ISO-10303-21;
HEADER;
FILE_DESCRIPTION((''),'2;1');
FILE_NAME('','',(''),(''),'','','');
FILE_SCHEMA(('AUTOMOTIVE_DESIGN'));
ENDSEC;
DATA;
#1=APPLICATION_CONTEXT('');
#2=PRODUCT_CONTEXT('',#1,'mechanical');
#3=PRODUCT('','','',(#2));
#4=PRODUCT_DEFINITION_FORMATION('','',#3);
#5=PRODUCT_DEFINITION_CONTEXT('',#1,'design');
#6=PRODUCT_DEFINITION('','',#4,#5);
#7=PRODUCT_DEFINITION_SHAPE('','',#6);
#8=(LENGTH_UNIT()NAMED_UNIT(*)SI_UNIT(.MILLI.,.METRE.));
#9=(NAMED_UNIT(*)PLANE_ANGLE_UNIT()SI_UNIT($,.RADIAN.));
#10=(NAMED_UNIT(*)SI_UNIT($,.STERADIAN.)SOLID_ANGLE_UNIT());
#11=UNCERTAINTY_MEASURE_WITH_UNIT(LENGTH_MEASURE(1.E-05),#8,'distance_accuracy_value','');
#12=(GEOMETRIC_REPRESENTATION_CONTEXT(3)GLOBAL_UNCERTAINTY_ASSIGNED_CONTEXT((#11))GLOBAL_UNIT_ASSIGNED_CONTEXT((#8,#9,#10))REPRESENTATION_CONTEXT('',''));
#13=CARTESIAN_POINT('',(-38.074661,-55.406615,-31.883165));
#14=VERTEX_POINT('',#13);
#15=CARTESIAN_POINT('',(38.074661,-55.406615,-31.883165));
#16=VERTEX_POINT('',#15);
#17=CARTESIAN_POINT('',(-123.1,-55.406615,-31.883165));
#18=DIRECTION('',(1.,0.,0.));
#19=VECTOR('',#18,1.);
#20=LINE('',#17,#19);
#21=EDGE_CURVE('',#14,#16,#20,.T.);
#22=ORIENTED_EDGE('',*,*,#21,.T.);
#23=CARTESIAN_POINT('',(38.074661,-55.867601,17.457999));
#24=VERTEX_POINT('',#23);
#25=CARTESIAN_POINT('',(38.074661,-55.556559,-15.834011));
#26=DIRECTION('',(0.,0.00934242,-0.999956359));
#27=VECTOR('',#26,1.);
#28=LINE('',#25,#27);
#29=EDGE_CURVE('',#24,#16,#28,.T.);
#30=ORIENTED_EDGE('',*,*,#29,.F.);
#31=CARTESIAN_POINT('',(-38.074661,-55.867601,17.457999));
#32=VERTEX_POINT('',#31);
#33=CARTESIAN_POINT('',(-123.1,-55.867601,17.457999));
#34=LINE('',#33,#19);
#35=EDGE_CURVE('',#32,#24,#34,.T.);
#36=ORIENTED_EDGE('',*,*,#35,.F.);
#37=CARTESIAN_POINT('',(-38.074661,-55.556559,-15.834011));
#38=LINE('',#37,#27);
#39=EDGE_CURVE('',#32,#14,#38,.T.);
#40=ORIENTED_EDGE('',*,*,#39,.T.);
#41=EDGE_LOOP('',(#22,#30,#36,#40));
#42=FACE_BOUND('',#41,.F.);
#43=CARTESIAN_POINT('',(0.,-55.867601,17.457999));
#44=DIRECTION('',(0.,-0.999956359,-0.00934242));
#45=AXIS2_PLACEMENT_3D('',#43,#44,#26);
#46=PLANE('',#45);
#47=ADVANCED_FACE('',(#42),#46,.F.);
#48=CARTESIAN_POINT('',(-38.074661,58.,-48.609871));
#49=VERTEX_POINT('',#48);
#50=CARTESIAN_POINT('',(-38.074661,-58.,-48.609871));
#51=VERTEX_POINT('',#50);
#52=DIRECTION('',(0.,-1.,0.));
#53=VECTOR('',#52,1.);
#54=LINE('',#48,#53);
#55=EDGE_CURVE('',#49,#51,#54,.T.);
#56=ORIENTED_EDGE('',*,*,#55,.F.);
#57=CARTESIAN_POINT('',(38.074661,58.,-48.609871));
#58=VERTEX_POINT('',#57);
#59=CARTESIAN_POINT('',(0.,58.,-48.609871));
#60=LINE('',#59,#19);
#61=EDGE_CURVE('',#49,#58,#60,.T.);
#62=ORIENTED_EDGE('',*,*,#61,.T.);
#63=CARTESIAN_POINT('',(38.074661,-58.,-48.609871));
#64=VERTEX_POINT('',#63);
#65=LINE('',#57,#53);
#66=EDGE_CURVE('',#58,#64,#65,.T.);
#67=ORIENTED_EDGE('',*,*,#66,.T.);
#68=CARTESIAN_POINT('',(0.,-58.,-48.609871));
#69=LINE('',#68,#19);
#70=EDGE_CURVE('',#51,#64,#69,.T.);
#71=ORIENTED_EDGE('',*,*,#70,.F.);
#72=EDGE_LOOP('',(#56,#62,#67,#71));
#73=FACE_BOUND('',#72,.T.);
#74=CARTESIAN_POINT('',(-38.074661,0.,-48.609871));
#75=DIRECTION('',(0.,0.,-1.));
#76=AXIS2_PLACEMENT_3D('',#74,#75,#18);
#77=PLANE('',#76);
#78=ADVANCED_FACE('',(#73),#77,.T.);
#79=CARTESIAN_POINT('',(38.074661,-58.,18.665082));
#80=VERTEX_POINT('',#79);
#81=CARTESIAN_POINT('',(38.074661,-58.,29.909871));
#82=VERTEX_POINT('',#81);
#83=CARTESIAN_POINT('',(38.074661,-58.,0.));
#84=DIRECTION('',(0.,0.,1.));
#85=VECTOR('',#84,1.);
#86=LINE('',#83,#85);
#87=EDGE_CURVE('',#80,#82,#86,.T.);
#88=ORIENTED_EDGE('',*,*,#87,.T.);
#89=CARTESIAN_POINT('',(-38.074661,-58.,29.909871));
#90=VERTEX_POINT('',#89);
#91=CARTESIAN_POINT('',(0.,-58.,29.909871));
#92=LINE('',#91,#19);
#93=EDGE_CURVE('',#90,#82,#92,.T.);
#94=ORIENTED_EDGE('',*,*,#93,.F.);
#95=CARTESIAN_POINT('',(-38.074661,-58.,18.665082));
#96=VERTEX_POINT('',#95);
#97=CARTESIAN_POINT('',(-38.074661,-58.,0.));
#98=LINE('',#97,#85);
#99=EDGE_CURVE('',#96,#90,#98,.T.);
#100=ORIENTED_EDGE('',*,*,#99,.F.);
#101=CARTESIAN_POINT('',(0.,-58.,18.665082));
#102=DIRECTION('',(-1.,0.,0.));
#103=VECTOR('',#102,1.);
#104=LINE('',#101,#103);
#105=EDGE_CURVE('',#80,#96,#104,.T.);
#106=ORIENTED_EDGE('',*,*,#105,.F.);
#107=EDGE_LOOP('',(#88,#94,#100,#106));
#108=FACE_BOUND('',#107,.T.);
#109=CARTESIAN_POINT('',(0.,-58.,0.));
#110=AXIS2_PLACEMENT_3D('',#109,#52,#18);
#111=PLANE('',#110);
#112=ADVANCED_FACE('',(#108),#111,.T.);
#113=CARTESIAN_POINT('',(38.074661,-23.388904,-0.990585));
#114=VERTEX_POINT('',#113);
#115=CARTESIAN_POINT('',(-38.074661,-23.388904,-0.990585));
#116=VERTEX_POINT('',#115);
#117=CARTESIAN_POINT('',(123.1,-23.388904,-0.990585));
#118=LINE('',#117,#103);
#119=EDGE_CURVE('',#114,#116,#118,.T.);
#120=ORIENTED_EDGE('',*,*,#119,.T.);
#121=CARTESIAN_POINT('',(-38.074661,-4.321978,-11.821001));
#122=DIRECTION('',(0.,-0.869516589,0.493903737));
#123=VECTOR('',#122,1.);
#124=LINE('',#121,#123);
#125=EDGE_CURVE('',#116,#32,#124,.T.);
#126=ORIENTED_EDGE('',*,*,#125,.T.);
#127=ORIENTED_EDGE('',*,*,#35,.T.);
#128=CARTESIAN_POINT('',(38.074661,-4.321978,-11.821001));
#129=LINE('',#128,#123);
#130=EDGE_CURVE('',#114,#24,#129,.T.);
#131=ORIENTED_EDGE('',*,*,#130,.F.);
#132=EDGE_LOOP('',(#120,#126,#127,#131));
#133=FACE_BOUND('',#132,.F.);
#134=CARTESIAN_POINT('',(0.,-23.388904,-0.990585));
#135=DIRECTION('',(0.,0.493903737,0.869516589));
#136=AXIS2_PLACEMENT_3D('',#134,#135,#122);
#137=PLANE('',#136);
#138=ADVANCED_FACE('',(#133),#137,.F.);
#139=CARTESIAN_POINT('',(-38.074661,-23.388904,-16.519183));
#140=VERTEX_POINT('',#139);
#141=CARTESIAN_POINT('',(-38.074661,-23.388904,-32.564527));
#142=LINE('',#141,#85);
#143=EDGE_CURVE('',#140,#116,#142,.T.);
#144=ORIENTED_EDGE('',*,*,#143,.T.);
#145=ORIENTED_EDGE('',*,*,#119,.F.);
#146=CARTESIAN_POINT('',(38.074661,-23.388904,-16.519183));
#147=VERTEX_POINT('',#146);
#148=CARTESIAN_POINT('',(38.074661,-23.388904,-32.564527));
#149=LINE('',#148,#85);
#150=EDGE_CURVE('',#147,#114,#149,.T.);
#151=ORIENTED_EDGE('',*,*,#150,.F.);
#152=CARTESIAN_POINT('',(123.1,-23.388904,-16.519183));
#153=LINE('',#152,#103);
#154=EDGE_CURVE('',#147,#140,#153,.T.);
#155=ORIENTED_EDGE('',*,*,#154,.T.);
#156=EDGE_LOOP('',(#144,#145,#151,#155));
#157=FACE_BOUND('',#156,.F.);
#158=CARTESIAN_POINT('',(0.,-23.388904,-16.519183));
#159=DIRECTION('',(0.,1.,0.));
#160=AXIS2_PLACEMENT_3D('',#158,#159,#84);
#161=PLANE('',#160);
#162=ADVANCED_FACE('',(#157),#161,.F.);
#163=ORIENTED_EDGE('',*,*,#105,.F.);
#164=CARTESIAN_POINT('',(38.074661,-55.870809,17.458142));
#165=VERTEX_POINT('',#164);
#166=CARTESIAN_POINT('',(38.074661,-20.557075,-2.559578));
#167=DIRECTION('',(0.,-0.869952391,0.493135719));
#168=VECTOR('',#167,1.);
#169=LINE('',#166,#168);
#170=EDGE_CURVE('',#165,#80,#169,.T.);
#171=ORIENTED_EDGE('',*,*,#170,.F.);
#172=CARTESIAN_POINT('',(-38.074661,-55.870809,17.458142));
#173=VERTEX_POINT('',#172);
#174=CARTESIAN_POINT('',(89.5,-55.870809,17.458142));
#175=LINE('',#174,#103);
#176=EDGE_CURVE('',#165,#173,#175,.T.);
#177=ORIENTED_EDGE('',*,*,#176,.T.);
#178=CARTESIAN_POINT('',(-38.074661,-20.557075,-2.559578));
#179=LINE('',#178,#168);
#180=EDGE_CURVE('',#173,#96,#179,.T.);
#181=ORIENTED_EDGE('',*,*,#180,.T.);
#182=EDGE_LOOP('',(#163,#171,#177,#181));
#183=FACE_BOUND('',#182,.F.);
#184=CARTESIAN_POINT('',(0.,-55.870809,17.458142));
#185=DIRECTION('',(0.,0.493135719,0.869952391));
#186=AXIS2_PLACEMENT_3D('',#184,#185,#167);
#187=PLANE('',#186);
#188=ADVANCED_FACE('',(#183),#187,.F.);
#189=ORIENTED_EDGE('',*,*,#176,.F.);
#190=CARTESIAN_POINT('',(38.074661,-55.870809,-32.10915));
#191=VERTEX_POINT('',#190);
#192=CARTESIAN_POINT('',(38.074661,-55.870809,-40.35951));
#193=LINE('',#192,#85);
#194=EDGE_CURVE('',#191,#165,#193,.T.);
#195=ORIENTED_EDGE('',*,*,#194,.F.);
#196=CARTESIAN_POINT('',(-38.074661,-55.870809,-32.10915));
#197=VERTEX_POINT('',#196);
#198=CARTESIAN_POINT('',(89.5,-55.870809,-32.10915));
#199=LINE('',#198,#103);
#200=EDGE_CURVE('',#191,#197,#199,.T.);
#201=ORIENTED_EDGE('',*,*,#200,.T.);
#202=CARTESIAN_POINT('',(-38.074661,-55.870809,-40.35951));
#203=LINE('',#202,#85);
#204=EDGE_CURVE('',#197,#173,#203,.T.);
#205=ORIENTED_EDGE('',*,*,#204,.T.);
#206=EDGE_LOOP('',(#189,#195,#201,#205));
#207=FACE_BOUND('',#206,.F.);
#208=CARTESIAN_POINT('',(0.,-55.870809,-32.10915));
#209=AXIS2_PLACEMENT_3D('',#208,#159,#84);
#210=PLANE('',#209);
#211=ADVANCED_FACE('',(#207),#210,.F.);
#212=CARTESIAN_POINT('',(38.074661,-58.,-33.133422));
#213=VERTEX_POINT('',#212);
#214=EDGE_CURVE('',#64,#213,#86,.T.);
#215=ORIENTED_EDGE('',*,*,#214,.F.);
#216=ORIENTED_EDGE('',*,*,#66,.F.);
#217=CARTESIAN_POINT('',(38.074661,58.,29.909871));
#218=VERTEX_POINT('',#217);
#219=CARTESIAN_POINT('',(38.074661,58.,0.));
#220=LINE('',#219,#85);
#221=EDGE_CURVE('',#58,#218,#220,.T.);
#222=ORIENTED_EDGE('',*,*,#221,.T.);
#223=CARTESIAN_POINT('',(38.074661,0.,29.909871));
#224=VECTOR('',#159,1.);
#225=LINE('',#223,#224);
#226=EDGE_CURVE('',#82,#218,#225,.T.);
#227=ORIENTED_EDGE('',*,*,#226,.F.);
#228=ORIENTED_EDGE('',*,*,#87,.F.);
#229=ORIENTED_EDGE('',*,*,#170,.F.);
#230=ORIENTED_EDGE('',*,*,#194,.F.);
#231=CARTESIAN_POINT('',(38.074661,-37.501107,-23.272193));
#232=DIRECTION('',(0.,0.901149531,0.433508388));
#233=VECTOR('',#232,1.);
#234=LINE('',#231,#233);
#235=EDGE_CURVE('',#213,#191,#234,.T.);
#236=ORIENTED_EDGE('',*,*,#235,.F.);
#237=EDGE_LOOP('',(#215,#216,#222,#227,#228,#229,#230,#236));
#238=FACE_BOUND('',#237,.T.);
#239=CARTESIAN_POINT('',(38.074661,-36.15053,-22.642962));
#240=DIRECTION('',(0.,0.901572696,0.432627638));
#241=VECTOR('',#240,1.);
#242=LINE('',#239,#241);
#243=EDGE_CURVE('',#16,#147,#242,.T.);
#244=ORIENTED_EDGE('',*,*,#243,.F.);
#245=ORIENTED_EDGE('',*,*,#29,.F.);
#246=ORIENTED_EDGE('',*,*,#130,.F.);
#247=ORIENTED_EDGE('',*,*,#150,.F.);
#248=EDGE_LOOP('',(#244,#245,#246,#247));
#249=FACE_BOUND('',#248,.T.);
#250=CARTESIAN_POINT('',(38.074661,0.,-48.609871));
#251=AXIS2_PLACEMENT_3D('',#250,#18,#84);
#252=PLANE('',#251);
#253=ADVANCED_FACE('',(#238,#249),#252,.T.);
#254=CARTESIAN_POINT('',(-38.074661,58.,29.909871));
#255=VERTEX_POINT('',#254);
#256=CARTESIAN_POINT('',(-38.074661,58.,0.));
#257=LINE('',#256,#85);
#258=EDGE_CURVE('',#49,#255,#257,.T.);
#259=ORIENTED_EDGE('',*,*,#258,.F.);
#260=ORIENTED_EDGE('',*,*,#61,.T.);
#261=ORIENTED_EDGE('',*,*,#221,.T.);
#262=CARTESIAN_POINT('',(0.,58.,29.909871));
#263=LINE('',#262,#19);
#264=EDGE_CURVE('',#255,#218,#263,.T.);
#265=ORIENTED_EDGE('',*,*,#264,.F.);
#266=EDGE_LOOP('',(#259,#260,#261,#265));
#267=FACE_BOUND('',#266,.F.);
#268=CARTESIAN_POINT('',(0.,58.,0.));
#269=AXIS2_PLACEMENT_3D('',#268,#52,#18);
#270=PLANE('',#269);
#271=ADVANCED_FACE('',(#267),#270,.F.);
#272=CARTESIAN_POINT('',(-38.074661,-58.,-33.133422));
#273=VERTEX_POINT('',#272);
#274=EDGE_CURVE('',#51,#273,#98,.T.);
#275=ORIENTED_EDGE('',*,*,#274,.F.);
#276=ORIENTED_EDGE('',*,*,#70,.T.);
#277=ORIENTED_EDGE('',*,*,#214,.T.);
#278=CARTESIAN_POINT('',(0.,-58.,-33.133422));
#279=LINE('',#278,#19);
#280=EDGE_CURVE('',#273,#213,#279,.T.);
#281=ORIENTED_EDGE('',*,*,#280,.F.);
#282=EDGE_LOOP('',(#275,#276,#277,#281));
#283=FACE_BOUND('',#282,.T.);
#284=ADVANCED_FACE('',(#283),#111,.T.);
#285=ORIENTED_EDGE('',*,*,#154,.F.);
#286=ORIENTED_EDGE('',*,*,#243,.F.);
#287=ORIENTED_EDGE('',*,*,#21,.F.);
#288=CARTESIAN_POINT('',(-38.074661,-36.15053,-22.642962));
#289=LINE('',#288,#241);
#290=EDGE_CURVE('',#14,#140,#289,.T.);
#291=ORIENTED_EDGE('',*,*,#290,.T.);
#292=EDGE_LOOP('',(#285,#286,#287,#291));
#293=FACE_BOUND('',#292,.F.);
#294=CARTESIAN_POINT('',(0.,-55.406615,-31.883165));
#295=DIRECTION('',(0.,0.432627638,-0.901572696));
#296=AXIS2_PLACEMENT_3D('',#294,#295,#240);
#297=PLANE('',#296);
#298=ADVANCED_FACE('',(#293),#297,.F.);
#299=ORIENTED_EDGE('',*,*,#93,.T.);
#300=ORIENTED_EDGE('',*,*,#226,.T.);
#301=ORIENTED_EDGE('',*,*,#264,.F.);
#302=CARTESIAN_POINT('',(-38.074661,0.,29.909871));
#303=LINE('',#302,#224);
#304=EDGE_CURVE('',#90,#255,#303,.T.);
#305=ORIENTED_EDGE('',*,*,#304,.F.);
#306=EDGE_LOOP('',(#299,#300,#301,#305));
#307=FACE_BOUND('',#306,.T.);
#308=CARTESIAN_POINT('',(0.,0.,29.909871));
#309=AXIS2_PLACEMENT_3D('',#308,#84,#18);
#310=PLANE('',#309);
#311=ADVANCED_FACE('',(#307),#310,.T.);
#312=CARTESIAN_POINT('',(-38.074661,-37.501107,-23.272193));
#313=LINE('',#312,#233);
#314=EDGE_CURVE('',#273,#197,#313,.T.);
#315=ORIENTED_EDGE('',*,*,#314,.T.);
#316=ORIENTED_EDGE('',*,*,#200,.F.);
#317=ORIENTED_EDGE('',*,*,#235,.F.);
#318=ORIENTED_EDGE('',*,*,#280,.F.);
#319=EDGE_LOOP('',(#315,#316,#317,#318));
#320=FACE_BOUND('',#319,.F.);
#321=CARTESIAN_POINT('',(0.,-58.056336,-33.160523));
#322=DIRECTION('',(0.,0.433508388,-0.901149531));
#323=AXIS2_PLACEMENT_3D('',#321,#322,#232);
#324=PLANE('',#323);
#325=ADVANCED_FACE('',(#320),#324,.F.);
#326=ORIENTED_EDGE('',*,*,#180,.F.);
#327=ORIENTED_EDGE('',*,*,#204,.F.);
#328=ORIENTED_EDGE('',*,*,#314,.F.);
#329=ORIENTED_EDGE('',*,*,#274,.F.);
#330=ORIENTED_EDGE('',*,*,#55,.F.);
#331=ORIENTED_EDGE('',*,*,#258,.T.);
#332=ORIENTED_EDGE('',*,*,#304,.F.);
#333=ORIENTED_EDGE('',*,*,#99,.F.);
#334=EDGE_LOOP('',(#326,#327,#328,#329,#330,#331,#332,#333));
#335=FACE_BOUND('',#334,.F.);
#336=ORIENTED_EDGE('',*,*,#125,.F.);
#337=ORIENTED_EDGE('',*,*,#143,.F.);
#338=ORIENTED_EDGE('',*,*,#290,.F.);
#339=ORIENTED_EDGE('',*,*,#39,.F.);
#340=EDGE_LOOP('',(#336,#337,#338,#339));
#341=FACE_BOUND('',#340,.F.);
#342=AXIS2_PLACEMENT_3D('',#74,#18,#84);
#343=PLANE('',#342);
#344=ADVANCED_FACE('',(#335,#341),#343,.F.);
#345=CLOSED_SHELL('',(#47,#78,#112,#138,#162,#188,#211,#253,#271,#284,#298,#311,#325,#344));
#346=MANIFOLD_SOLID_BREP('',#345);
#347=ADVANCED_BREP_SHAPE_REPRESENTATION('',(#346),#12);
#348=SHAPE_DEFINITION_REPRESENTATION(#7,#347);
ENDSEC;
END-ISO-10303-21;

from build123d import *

# Parameters (mm, degrees)
F0_W     = 76.149322
F0_H     = 97.219742
F1_DEPTH = 58
F2_W     = 76.149322
F2_H     = 116
F3_DEPTH = 18.7
F5_DEPTH = 123.1
F7_DEPTH = 89.5


with BuildPart() as f1:
    # F0 (on Front) → F1 (new body, symmetric)
    with BuildSketch(Plane.XZ):
        Rectangle(F0_W, F0_H)
    extrude(amount=F1_DEPTH, both=True)

    # F2 (on face) → F3 (cut)
    with BuildSketch(Plane.XY.offset(48.609871)):
        Rectangle(F2_W, F2_H)
    extrude(amount=-F3_DEPTH, mode=Mode.SUBTRACT)

    # F4 (on Right) → F5 (cut, symmetric)
    with BuildSketch(Plane.YZ):
        Polygon((-23.388904, -0.990585), (-55.867601, 17.457999), (-55.406615, -31.883165), (-23.388904, -16.519183), align=None)
    extrude(amount=F5_DEPTH, both=True, mode=Mode.SUBTRACT)

    # F6 (on Right) → F7 (cut, symmetric)
    with BuildSketch(Plane.YZ):
        Polygon((-55.870809, 17.301733), (-55.870809, 17.458142), (-58.005538, 18.668221), (-58.056336, -33.160523), (-55.870809, -32.10915), align=None)
    extrude(amount=F7_DEPTH, both=True, mode=Mode.SUBTRACT)


solid = f1.part
